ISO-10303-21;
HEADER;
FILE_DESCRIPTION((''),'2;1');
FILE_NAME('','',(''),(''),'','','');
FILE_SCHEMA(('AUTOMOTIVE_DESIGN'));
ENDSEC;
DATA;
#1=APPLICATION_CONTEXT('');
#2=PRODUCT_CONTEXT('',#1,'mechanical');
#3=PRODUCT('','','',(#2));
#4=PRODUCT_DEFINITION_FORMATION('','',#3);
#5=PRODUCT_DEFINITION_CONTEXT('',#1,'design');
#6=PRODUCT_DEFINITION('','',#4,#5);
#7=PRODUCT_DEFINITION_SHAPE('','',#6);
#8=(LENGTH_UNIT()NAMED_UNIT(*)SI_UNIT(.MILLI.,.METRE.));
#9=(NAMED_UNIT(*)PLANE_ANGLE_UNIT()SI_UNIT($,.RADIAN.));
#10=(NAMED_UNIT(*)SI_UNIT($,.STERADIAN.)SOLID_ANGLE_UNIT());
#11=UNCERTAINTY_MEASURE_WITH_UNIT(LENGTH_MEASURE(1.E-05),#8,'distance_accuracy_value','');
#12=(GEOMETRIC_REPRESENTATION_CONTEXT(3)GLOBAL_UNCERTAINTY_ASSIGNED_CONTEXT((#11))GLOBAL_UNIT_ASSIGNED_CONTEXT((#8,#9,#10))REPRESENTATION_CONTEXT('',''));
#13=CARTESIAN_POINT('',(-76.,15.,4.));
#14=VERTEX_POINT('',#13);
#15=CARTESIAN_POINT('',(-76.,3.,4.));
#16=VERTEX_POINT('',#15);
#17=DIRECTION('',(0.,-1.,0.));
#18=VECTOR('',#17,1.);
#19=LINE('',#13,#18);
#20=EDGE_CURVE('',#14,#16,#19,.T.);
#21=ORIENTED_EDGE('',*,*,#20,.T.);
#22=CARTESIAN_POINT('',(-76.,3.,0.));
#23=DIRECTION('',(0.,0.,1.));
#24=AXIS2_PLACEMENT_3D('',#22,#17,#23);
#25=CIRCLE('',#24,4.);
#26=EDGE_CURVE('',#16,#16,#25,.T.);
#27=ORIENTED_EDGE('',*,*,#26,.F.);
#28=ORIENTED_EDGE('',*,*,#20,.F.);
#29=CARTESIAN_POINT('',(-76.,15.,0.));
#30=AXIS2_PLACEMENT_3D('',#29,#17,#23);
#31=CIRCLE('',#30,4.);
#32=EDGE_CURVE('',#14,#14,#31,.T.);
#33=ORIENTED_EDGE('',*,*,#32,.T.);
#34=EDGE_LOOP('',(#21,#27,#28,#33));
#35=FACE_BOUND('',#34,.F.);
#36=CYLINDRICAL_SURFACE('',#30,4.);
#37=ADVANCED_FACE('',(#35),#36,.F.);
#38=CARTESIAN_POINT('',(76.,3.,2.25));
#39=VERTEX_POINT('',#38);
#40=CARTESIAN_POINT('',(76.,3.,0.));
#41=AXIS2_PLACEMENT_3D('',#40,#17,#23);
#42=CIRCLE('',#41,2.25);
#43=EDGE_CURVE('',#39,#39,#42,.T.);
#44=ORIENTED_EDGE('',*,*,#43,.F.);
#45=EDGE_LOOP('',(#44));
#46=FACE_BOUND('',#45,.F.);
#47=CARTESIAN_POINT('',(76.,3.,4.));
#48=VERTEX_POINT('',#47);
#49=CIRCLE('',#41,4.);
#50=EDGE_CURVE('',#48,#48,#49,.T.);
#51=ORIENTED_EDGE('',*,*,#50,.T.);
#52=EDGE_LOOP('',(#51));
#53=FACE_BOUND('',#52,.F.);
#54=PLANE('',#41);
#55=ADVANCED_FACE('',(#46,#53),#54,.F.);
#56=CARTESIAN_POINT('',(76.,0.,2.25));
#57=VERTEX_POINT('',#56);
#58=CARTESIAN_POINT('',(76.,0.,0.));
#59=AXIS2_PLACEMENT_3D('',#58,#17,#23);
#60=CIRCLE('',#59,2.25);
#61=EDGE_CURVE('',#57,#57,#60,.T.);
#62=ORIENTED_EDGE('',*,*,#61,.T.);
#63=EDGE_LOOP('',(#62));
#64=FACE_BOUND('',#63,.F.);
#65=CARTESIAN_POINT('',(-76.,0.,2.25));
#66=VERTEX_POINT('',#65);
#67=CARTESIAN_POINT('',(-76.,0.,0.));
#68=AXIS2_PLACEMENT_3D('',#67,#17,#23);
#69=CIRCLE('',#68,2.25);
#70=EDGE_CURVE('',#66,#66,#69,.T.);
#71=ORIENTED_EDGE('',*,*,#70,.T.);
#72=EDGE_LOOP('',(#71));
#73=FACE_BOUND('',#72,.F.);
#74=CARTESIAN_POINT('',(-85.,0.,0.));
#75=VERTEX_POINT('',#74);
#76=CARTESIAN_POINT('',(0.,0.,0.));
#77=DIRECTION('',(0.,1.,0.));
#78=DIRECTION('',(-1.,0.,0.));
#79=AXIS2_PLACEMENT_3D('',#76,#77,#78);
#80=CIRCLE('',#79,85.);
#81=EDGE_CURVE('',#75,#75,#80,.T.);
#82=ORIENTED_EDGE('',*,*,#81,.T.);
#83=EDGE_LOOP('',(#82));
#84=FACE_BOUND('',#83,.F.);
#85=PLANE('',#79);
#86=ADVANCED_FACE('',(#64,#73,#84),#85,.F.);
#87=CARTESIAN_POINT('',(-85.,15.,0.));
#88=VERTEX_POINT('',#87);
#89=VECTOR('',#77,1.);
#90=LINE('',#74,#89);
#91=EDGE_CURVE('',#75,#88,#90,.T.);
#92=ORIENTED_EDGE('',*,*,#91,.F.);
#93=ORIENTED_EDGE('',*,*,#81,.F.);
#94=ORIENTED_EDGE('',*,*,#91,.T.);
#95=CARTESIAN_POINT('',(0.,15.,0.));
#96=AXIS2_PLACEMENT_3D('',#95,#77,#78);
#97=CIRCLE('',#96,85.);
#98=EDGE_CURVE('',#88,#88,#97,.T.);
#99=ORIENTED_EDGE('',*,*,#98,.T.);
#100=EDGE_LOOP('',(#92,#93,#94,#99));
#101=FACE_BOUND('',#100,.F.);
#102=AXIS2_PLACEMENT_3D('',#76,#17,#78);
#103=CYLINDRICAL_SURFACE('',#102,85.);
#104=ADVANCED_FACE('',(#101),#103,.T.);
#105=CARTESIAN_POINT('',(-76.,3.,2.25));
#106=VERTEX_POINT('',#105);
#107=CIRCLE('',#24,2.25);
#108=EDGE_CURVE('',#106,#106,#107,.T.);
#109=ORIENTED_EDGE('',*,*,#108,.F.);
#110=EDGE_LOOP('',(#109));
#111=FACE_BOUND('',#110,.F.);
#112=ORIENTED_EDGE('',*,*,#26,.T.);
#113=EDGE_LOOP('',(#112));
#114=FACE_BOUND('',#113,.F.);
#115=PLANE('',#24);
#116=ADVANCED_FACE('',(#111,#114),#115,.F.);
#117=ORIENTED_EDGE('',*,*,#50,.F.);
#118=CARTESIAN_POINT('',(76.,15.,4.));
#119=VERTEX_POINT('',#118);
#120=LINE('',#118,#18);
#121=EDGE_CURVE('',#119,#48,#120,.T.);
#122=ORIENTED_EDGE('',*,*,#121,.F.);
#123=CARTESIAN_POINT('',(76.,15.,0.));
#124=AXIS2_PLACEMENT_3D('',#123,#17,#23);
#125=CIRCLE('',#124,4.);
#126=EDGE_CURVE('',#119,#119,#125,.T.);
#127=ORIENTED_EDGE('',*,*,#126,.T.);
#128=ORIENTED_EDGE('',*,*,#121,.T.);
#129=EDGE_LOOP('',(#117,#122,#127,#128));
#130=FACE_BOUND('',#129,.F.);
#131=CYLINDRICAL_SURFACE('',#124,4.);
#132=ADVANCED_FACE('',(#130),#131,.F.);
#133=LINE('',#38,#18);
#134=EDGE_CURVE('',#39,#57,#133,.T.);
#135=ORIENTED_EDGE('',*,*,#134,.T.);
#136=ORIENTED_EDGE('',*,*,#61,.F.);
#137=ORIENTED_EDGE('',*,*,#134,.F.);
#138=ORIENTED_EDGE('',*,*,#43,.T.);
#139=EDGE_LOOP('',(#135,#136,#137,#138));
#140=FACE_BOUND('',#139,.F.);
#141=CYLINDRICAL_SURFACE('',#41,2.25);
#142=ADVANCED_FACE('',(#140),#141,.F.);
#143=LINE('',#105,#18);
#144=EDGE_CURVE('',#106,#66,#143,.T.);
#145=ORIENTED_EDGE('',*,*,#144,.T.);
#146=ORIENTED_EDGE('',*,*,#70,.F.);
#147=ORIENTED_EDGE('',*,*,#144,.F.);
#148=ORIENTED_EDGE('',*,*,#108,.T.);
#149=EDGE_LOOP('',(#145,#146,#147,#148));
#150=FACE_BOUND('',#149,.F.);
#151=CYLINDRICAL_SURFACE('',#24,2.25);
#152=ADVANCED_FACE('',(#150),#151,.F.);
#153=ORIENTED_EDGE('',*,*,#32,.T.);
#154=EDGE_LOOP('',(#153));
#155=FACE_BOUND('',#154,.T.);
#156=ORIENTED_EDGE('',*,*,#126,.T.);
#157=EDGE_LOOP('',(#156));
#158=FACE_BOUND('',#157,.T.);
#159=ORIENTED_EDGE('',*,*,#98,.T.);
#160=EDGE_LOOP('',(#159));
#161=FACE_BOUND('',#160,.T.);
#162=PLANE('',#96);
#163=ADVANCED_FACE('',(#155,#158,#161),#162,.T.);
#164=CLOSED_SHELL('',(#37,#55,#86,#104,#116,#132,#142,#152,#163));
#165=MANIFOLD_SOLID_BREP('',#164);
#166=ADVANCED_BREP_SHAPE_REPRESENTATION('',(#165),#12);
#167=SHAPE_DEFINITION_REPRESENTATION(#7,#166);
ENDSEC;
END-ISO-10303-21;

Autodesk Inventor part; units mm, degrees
ref_plane "YZ Plane" through (0, 0, 0) normal (1, 0, 0) x (0, 1, 0)
ref_plane "XZ Plane" through (0, 0, 0) normal (0, 1, 0) x (-1, 0, 0)
ref_plane "XY Plane" through (0, 0, 0) normal (0, 0, 1) x (1, 0, 0)
sketch "Sketch1" plane through (0, 0, 0) normal (0, 1, 0) x (-1, 0, 0)
  circle A0 centre (0, 0) radius 85
  dimension "d0" = 170
extrude "Extrusion1" add sketch "Sketch1" along normal blind 15
sketch "Sketch2" plane through (0, 15, 0) normal (0, 1, 0) x (1, 0, 0)
  circle A0 centre (0, 0) radius 85 projected
  line L0 (51, -22.7944) -> (-51, -22.7944)
  line L1 (-56, 50.2056) -> (56, 50.2056)
  line L2 (0, 119) -> (0, -119) projected
  line L3 (-56, 50.2056) -> (51, -22.7944) construction
  line L4 (56, 50.2056) -> (-51, -22.7944) construction
  line L5 (-56, 50.2056) -> (-51, -22.7944)
  line L6 (56, 50.2056) -> (51, -22.7944)
  line L7 (-119, 0) -> (119, 0) projected
  point P0 (0, -22.7944)
  point P1 (0, 50.2056)
  point P2 (0, 12)
  dimension "d4" = 112
  dimension "d5" = 73
  dimension "d7" = 102
  dimension "d9" = 12
sketch "Sketch3" plane through (0, 15, 0) normal (0, 1, 0) x (1, 0, 0)
  circle A0 centre (0, 0) radius 76
  point P0 (-76, 0)
  point P1 (76, 0)
  dimension "d10" = 152
hole "Hole1" at (-76, 15, 0) at (76, 15, 0) direction (0, -1, 0) diameter 4.5 depth 15 counterbore diameter 8 counterbore depth 12
properties part number "Build Plate with 35mm FOV Sketch"
